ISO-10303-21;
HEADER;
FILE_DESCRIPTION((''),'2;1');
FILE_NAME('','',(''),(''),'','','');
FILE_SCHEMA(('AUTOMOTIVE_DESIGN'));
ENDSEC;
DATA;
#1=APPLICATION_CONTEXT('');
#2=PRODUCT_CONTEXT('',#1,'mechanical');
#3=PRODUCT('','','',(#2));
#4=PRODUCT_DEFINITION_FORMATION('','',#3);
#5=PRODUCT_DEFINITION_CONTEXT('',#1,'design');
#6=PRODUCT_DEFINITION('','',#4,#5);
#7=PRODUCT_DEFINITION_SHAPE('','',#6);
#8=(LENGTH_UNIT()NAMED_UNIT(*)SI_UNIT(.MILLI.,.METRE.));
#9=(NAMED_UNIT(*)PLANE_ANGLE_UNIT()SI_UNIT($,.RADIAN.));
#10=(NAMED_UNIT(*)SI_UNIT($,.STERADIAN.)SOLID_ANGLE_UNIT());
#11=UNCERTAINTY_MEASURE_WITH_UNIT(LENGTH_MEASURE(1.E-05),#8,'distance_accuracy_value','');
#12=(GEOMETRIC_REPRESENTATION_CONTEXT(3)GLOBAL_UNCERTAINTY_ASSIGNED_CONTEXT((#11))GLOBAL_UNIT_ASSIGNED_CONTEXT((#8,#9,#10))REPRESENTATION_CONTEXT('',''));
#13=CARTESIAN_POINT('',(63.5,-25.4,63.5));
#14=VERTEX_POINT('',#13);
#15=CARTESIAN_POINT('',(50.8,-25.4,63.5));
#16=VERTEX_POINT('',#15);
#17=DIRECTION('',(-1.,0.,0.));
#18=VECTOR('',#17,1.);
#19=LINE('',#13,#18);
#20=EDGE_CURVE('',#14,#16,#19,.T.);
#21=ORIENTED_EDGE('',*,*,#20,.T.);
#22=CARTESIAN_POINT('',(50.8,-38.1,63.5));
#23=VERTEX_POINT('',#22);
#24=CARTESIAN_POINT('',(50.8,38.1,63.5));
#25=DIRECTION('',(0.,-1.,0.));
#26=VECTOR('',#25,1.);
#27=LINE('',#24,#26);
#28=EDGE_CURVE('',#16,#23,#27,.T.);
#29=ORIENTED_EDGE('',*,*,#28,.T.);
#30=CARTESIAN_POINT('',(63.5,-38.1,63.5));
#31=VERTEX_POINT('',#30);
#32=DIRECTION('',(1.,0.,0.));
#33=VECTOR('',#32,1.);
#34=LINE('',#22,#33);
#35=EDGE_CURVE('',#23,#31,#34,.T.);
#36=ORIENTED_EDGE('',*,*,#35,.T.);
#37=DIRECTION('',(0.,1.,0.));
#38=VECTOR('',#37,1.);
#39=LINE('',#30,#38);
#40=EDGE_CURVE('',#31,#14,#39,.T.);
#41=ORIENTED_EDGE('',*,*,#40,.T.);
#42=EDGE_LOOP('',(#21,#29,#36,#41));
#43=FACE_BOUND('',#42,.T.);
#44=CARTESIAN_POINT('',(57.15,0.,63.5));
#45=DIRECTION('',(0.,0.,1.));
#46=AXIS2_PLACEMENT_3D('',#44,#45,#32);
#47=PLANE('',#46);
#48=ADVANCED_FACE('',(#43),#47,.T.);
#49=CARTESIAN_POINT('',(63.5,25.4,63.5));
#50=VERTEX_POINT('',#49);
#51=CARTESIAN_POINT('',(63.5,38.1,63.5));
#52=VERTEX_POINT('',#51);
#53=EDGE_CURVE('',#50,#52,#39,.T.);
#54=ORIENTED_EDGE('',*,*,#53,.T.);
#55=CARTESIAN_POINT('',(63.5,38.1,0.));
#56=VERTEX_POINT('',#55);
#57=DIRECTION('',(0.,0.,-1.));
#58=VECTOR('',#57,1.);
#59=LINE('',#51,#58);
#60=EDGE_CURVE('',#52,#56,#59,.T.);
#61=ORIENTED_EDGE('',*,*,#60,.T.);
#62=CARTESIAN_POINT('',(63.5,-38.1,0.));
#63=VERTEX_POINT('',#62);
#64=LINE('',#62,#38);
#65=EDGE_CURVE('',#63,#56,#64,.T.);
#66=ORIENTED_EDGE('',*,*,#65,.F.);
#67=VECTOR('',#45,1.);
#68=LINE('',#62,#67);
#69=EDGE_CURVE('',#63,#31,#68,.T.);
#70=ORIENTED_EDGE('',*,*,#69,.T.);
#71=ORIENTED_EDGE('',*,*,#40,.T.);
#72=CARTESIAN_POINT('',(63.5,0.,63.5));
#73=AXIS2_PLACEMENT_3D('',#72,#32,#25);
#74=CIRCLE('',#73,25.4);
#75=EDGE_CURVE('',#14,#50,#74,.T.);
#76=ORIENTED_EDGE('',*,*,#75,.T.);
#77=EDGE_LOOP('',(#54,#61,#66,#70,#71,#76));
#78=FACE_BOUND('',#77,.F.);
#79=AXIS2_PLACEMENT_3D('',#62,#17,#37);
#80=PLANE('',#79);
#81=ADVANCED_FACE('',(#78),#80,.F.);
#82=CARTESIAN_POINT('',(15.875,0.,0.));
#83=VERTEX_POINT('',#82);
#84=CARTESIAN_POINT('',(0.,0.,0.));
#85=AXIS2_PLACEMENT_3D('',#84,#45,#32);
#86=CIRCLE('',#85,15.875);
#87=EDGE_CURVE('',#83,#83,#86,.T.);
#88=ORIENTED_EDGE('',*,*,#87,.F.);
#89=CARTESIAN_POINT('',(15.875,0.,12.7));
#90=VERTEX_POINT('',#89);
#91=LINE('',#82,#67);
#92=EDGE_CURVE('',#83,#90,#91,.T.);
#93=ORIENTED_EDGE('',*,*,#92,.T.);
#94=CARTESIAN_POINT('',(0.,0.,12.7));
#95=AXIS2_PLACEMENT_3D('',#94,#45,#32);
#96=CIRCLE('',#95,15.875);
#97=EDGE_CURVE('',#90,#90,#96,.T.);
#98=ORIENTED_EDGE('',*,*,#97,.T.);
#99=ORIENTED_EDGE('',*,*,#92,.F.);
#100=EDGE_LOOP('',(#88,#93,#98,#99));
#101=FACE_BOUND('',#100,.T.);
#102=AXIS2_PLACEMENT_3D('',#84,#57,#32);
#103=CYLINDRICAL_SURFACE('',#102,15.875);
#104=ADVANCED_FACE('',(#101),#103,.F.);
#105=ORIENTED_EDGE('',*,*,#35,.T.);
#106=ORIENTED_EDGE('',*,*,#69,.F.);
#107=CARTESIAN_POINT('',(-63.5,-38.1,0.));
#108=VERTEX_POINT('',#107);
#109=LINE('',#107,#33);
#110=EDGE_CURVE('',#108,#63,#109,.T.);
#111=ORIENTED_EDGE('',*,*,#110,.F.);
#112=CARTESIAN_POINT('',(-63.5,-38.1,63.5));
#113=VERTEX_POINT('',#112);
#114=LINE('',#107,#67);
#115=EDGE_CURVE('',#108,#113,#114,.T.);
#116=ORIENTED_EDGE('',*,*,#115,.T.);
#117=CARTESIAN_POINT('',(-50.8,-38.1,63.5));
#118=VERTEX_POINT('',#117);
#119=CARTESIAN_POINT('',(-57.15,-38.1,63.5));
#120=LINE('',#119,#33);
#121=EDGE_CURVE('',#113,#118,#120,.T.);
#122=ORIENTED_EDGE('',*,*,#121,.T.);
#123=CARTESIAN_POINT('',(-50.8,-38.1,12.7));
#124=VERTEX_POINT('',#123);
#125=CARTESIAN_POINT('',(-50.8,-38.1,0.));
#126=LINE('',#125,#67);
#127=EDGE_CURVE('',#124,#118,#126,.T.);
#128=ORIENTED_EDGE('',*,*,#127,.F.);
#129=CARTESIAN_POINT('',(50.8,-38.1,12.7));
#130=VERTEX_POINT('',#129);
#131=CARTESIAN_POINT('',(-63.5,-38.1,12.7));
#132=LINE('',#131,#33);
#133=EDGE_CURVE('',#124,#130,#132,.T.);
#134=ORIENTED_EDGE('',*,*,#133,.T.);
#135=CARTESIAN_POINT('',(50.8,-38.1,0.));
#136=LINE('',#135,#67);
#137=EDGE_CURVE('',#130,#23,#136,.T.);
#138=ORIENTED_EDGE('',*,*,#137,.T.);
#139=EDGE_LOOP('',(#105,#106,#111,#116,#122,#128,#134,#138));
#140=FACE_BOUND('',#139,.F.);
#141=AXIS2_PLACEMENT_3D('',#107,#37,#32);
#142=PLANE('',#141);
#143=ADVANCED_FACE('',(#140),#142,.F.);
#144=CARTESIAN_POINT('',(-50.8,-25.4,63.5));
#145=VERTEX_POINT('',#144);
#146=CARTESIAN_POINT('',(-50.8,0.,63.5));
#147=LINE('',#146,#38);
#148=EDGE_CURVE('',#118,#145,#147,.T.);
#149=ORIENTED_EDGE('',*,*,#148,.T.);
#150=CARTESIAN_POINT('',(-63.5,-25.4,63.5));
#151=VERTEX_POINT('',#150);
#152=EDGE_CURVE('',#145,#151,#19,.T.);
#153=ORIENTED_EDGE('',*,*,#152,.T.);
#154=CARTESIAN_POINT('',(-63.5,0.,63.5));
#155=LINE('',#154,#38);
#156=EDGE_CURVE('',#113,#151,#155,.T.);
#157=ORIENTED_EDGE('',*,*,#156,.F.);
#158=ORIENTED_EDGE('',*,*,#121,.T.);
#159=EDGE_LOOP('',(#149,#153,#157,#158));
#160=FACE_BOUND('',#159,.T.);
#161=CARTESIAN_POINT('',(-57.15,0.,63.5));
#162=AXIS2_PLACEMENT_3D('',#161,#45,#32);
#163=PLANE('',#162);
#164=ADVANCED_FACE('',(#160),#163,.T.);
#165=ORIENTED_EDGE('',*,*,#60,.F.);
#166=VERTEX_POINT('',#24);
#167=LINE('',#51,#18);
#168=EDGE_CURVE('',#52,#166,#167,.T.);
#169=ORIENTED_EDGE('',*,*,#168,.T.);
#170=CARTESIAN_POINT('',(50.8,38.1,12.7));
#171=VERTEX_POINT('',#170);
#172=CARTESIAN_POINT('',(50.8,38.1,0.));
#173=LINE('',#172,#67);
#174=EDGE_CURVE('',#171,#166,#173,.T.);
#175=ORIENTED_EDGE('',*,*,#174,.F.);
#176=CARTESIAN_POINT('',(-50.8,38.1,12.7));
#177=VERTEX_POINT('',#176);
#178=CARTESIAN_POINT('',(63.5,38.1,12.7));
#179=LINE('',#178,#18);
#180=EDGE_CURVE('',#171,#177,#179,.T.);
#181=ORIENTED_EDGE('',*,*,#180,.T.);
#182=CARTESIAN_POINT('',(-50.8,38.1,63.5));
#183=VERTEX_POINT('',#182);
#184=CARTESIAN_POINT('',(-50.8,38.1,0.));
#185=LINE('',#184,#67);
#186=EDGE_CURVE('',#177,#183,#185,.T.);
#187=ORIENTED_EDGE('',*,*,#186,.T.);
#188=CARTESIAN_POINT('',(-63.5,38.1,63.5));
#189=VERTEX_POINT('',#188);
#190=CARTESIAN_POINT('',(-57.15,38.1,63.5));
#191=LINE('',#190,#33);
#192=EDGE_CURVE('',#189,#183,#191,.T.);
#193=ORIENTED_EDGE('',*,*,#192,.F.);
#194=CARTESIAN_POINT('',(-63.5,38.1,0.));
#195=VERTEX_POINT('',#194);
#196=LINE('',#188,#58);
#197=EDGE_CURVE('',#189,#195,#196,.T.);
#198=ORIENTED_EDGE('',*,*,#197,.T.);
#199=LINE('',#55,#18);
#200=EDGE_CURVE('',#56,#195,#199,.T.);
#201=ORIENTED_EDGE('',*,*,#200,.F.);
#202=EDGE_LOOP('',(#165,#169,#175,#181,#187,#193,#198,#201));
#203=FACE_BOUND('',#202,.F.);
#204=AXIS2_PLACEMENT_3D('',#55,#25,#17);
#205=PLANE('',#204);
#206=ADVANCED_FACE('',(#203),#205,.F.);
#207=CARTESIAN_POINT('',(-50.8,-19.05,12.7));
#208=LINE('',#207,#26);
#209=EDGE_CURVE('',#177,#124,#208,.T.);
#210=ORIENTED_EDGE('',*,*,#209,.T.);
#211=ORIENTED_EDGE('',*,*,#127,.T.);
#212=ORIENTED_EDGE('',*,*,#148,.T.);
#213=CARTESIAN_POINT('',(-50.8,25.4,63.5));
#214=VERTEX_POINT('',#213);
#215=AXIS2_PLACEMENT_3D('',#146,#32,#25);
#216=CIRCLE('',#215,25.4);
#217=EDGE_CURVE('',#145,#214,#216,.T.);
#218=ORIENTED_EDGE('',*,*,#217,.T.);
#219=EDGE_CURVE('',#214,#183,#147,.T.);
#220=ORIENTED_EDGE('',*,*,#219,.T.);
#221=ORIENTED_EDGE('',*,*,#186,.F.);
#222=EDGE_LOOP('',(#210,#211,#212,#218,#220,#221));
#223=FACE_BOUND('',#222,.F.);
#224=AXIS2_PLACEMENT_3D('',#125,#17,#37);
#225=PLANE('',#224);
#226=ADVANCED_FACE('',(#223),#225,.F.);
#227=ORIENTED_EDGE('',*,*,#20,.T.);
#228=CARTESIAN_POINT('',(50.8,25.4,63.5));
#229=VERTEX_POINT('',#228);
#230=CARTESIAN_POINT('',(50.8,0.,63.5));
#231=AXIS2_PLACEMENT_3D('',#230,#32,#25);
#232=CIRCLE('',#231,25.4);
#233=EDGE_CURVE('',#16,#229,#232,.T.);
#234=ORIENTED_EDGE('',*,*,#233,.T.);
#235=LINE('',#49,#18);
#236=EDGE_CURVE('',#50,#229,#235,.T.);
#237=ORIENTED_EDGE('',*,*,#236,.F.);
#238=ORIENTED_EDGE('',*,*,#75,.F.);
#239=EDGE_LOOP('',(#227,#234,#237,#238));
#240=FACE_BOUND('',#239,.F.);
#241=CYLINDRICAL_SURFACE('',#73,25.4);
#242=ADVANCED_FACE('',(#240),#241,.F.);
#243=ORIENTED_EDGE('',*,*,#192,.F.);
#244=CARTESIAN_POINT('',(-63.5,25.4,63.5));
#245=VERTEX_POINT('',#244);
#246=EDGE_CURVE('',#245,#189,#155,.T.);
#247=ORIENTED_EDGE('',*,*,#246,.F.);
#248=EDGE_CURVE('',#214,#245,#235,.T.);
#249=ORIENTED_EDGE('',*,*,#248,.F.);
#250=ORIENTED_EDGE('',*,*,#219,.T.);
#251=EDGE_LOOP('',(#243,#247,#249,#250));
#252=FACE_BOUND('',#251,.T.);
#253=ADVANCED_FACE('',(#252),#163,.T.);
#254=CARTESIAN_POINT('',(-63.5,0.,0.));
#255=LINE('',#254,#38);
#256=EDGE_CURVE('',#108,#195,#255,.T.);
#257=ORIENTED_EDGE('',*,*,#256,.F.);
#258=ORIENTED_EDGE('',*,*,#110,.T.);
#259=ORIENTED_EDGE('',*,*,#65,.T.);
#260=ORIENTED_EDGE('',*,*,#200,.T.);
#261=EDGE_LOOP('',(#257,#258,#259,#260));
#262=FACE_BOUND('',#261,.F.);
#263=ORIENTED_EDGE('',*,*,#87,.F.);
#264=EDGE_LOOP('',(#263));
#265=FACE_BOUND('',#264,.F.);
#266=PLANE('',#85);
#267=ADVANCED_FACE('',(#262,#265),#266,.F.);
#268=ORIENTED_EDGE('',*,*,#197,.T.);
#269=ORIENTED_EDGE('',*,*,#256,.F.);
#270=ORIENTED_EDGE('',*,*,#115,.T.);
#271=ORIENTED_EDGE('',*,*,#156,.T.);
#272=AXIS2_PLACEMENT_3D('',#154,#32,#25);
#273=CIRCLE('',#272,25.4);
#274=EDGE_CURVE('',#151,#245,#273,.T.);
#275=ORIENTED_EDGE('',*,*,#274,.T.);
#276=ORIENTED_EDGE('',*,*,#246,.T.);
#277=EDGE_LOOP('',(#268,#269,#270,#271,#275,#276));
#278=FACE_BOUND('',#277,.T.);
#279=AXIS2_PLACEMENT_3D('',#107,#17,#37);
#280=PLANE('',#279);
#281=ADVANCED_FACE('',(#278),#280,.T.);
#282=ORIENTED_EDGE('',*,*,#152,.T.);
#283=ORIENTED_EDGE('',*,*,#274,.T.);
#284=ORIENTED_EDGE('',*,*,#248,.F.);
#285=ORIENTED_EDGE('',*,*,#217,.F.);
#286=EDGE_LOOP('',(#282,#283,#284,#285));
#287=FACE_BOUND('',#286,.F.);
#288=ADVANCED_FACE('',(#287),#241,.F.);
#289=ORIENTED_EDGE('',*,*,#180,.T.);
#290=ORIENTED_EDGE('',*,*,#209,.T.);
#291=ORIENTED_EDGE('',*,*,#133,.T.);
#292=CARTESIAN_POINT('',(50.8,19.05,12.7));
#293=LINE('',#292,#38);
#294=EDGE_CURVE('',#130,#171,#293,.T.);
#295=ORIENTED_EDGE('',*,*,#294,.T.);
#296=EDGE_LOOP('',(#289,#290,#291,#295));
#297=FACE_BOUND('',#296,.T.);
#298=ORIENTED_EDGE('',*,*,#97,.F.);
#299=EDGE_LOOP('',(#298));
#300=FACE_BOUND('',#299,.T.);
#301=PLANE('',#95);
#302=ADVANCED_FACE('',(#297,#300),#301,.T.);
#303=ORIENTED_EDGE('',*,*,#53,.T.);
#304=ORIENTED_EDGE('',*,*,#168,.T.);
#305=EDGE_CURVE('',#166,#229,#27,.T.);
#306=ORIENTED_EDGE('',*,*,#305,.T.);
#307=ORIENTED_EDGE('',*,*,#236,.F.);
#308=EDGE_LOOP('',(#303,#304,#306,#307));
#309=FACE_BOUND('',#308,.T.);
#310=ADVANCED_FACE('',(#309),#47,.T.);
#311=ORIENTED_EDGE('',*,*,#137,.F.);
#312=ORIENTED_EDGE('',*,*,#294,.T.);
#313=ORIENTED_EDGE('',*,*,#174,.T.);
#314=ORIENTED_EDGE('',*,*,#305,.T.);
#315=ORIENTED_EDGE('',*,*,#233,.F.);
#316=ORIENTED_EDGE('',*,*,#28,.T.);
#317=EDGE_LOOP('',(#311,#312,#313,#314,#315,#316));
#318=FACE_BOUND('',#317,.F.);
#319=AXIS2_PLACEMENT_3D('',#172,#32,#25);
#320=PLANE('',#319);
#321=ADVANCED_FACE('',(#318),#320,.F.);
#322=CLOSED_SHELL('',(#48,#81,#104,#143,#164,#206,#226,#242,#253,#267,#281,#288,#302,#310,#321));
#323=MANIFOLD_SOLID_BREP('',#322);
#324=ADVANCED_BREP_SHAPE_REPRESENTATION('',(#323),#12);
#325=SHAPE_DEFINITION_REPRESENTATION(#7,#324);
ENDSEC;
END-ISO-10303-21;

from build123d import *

# Parameters (mm, degrees)
F0_R     = 15.875
F0_W     = 12.7
F0_H     = 76.2
F1_DEPTH = 12.7
F2_DEPTH = 63.5
F4_DEPTH = 127.001


with BuildPart() as f1:
    # F0 (on Top) → F1 (new body)
    with BuildSketch(Plane.XY):
        Polygon((50.8, -38.1), (50.8, 38.1), (-50.8, 38.1), (-50.8, -38.1), (0, -38.1), align=None)
        Circle(F0_R, mode=Mode.SUBTRACT)
        with Locations((-57.15, 0)):
            Rectangle(F0_W, F0_H)
        Polygon((63.5, 0), (63.5, 38.1), (50.8, 38.1), (50.8, -38.1), (63.5, -38.1), align=None)
    extrude(amount=F1_DEPTH)

    # F0 (on Top) → F2 (join)
    with BuildSketch(Plane.XY):
        with Locations((-57.15, 0)):
            Rectangle(F0_W, F0_H)
        Polygon((63.5, 0), (63.5, 38.1), (50.8, 38.1), (50.8, -38.1), (63.5, -38.1), align=None)
    extrude(amount=F2_DEPTH)

    # F3 (on face) → F4 (cut, through all)
    with BuildSketch(Plane.YZ.offset(63.5)):
        with BuildLine():
            ThreePointArc((-25.4, 63.5), (0, 38.1), (25.4, 63.5))
            Line((25.4, 63.5), (-25.4, 63.5))
        make_face()
    extrude(amount=-F4_DEPTH, mode=Mode.SUBTRACT)


solid = f1.part
